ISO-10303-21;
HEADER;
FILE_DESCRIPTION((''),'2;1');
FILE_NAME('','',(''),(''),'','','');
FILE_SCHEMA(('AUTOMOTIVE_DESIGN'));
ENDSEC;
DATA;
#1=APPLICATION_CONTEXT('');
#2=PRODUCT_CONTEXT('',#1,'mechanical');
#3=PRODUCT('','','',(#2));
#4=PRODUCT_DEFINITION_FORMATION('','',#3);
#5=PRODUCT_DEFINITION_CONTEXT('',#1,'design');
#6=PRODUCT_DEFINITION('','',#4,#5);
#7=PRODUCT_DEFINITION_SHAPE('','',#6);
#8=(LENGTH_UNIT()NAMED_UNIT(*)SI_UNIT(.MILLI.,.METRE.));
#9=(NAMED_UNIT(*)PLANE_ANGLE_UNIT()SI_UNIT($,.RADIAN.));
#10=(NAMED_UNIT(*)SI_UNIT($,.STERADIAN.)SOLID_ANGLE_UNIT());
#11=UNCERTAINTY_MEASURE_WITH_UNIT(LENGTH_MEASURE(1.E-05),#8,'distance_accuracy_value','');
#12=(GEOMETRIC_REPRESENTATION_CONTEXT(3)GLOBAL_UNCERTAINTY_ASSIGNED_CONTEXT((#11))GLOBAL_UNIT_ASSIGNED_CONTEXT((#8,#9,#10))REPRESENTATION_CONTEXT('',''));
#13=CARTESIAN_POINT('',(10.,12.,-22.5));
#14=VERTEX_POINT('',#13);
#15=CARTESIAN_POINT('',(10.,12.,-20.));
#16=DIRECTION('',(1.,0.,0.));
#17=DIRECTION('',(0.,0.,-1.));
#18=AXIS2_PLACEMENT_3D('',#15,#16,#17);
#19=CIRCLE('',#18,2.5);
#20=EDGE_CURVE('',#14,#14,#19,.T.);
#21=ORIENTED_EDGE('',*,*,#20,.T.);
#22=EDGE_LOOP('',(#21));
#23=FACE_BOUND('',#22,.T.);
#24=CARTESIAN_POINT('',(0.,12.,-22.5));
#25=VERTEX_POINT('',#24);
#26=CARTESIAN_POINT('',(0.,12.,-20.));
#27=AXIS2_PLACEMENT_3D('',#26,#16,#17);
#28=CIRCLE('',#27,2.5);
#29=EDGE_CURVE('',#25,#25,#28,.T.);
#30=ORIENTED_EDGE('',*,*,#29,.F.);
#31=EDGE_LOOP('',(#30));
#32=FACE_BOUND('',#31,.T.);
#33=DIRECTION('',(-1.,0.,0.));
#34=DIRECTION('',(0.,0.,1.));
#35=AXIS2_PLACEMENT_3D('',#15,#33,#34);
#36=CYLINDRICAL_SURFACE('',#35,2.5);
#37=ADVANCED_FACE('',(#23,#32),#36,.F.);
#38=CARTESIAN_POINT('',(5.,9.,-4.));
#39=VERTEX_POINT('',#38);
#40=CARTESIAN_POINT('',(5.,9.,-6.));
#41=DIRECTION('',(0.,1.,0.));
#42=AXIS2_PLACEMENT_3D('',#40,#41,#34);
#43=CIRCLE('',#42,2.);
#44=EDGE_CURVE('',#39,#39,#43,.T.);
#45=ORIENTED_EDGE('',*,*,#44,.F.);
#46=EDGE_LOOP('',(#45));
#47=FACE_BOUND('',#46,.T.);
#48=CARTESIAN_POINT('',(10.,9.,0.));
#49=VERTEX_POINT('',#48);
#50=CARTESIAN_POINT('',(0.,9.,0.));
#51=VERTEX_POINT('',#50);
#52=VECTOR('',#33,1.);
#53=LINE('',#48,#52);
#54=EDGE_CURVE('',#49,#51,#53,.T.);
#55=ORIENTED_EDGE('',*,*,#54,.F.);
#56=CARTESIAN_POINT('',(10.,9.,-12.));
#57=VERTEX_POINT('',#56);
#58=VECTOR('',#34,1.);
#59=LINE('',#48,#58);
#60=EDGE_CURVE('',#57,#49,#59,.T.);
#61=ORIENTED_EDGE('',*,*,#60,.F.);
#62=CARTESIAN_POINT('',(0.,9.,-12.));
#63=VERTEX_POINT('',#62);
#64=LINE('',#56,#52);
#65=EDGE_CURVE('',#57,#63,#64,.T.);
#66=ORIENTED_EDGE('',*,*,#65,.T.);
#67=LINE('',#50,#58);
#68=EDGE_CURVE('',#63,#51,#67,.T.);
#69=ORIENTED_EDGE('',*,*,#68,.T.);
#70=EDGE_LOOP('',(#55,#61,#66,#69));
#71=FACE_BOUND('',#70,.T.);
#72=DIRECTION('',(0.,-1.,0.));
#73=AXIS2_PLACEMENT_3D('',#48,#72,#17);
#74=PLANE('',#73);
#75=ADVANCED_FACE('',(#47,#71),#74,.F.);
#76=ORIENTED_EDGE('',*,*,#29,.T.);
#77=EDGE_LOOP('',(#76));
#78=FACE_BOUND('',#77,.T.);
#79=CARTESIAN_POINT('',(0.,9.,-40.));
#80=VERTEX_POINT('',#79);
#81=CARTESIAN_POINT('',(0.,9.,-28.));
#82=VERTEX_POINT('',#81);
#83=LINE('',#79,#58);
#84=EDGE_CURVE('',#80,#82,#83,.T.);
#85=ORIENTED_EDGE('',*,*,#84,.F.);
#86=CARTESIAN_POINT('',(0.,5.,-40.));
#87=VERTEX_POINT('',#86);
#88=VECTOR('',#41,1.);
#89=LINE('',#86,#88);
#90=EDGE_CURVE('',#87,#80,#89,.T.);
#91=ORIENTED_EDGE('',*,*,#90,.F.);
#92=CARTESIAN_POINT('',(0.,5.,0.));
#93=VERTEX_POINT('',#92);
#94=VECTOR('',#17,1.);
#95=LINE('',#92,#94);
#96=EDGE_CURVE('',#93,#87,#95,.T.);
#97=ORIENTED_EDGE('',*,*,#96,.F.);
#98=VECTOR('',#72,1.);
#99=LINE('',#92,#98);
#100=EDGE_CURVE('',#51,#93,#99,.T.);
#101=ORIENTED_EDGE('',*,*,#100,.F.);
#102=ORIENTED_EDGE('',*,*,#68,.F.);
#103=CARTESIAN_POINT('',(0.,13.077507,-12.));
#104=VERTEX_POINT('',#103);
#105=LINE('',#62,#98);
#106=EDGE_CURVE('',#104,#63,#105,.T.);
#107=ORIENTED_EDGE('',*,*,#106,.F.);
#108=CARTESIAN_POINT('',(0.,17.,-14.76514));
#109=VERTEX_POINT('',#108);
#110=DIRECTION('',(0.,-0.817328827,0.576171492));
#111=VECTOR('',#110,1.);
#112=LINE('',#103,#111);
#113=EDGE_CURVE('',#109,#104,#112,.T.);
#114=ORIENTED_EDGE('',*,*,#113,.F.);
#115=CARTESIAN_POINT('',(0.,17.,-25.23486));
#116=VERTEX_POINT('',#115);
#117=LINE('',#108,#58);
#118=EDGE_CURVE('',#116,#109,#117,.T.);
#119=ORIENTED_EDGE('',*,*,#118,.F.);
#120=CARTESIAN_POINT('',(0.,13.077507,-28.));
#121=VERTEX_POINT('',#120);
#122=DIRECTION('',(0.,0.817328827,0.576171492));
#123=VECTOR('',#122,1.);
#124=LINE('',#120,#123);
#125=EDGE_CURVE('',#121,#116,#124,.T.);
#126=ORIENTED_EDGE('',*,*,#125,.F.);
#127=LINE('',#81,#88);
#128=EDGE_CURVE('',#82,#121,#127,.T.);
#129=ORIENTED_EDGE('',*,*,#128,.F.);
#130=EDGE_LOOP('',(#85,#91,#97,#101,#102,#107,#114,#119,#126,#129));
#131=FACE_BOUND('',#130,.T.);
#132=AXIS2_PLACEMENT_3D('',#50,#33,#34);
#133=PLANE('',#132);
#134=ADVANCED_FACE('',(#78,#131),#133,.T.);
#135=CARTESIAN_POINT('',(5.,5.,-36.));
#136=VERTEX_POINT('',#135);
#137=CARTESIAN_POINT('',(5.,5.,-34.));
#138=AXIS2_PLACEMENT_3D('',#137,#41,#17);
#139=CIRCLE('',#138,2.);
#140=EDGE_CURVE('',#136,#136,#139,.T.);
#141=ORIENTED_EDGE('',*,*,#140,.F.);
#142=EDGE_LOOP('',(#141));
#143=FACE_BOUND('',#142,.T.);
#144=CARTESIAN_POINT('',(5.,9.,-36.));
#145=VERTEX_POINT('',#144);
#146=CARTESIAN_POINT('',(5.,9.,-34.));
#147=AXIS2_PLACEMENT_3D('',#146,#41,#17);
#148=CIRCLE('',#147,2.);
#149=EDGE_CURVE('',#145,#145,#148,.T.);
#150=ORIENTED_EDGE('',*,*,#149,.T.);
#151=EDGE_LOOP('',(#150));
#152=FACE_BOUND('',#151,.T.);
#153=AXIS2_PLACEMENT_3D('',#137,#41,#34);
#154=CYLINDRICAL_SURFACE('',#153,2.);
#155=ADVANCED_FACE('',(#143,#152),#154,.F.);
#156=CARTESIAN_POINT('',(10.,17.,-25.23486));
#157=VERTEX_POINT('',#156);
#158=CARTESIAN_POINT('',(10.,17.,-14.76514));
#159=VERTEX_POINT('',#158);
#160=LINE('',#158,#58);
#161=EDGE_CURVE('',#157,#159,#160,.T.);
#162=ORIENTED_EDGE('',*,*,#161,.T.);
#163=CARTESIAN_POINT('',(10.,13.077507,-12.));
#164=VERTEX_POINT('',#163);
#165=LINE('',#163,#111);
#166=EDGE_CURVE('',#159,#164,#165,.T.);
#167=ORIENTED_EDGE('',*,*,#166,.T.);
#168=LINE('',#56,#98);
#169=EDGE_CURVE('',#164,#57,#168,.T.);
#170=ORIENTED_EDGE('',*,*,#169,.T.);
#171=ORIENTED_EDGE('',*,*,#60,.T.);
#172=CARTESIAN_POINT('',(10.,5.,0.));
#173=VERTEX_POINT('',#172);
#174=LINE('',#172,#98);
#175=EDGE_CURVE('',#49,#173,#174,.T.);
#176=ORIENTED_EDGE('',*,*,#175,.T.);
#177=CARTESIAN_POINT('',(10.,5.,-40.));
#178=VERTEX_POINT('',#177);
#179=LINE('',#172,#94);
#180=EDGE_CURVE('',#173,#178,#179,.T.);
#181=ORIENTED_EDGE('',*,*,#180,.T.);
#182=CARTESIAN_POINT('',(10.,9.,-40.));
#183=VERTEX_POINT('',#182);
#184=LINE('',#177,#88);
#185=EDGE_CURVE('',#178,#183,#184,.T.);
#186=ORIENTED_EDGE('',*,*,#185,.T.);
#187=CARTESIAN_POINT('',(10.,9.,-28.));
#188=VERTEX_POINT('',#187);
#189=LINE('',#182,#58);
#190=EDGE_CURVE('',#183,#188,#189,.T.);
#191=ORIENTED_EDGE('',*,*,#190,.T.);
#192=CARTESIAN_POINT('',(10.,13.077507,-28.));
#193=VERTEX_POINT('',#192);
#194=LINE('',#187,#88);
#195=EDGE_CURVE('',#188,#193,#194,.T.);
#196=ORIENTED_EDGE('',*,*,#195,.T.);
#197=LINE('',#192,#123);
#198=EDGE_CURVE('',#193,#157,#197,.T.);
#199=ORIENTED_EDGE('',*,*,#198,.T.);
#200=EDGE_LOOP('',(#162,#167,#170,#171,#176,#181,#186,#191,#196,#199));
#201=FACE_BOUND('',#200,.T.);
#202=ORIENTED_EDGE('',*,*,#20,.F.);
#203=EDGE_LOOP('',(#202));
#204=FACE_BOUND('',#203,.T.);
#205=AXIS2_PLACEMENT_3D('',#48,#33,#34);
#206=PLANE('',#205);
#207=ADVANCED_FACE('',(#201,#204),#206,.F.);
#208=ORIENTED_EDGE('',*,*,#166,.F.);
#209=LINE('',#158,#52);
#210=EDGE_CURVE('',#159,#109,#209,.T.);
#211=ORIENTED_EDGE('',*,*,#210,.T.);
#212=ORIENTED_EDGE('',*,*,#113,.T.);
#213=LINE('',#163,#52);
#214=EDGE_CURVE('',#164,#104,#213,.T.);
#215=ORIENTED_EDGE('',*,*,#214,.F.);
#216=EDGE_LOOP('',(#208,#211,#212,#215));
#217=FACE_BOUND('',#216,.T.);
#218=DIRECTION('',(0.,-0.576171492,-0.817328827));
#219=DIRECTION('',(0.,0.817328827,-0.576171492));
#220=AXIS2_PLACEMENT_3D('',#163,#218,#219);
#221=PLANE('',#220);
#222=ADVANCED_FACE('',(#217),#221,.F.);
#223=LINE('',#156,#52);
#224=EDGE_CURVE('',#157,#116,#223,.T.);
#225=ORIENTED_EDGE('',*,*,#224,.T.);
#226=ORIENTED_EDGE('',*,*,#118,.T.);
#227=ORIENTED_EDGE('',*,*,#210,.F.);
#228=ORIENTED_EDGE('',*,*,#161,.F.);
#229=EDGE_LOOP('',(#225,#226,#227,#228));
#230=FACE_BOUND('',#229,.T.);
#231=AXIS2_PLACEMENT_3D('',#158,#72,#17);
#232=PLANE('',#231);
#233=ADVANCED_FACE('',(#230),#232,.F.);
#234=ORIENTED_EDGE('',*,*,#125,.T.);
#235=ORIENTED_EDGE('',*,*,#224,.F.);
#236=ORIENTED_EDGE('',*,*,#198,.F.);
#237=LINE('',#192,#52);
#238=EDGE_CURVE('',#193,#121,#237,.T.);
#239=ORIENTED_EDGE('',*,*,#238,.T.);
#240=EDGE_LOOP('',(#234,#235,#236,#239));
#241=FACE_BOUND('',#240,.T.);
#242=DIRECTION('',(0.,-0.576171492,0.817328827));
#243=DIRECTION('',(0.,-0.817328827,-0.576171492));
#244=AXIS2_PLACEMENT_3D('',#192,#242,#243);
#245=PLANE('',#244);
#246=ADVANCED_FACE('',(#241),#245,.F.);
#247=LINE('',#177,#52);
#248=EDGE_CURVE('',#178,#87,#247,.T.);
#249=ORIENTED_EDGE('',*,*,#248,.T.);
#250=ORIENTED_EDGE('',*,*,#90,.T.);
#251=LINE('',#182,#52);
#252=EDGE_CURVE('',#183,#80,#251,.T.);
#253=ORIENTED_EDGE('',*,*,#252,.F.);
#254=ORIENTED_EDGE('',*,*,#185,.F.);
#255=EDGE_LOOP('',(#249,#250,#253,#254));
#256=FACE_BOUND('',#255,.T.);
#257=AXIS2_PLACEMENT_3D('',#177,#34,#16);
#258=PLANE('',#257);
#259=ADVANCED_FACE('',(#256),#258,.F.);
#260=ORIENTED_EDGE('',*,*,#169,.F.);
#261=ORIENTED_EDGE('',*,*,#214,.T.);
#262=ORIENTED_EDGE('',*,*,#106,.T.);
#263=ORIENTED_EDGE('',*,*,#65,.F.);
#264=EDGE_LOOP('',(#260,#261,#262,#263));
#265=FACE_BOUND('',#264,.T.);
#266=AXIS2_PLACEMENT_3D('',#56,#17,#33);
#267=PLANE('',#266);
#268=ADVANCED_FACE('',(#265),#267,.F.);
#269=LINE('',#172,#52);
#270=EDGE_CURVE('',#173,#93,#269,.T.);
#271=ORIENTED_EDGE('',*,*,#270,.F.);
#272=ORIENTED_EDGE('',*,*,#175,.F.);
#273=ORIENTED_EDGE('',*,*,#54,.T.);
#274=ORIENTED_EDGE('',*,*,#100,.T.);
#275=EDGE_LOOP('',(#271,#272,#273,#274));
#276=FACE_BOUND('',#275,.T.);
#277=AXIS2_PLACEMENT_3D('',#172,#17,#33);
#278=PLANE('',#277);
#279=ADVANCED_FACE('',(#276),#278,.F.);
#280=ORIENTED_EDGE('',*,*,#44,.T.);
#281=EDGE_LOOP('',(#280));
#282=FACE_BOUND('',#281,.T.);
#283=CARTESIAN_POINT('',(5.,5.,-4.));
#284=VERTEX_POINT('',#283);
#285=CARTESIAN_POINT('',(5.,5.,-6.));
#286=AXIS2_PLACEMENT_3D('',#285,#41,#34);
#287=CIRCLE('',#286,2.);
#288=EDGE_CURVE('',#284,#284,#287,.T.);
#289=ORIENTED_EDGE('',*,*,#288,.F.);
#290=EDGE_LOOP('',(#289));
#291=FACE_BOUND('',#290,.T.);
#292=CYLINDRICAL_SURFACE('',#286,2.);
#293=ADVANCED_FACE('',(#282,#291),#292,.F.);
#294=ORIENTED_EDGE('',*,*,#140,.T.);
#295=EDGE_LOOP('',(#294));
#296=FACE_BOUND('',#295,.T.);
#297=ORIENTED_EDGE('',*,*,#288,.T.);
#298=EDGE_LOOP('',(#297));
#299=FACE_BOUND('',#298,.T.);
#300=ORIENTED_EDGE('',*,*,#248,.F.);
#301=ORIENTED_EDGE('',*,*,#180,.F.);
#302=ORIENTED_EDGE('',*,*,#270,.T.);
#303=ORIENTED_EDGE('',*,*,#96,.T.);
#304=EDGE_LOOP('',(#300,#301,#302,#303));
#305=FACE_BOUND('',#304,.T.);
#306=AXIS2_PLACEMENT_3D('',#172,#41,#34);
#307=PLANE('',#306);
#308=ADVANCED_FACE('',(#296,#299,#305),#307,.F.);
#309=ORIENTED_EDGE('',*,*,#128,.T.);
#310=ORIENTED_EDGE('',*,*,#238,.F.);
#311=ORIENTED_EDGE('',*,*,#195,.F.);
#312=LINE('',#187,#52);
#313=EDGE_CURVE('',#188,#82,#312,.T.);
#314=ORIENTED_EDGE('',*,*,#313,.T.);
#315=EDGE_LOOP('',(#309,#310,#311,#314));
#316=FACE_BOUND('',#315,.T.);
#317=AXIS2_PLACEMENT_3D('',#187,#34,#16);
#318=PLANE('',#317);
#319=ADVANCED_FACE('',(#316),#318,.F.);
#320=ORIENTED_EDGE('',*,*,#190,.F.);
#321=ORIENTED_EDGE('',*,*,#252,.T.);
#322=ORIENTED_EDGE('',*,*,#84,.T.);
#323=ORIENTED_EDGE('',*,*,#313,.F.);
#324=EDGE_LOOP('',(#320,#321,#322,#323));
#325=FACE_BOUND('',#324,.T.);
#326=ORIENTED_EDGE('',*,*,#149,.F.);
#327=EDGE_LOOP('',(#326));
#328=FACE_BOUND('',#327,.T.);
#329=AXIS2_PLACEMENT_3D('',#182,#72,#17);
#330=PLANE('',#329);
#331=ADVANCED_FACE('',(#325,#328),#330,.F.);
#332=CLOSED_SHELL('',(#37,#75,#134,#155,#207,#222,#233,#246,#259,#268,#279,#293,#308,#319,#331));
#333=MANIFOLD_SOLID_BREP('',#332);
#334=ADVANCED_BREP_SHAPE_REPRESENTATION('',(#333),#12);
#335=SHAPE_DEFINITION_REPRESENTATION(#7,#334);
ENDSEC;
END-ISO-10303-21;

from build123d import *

# Parameters (mm, degrees)
SKETCH_2_R          = 2.5
EXTRUDE_1_DEPTH     = 10
SKETCH_3_R          = 2
CUT_EXTRUDE_2_DEPTH = 43


with BuildPart() as part:
    # Эскиз2 → Вытянуть1 (new body)
    with BuildSketch(Plane(origin=(0, 0, 0), x_dir=(0, 0, -1), z_dir=(1, 0, 0))):
        Polygon((0, 5), (40, 5), (40, 9), (28, 9), (28, 13.077507284), (25.234860189, 17), (14.765139811, 17), (12, 13.077507284), (12, 9), (0, 9), align=None)
        with Locations((20, 12)):
            Circle(SKETCH_2_R, mode=Mode.SUBTRACT)
    extrude(amount=EXTRUDE_1_DEPTH)

    # Эскиз3 → Вытянуть2 (cut, through all)
    with BuildSketch(Plane(origin=(0, 9, 0), x_dir=(1, 0, 0), z_dir=(0, 1, 0))):
        with Locations(Location((5, 6, 0), (0, 0, 270))):
            Circle(SKETCH_3_R)
        with Locations(Location((5, 34, 0), (0, 0, 90))):
            Circle(SKETCH_3_R)
    extrude(amount=-CUT_EXTRUDE_2_DEPTH, mode=Mode.SUBTRACT)


solid = part.part
